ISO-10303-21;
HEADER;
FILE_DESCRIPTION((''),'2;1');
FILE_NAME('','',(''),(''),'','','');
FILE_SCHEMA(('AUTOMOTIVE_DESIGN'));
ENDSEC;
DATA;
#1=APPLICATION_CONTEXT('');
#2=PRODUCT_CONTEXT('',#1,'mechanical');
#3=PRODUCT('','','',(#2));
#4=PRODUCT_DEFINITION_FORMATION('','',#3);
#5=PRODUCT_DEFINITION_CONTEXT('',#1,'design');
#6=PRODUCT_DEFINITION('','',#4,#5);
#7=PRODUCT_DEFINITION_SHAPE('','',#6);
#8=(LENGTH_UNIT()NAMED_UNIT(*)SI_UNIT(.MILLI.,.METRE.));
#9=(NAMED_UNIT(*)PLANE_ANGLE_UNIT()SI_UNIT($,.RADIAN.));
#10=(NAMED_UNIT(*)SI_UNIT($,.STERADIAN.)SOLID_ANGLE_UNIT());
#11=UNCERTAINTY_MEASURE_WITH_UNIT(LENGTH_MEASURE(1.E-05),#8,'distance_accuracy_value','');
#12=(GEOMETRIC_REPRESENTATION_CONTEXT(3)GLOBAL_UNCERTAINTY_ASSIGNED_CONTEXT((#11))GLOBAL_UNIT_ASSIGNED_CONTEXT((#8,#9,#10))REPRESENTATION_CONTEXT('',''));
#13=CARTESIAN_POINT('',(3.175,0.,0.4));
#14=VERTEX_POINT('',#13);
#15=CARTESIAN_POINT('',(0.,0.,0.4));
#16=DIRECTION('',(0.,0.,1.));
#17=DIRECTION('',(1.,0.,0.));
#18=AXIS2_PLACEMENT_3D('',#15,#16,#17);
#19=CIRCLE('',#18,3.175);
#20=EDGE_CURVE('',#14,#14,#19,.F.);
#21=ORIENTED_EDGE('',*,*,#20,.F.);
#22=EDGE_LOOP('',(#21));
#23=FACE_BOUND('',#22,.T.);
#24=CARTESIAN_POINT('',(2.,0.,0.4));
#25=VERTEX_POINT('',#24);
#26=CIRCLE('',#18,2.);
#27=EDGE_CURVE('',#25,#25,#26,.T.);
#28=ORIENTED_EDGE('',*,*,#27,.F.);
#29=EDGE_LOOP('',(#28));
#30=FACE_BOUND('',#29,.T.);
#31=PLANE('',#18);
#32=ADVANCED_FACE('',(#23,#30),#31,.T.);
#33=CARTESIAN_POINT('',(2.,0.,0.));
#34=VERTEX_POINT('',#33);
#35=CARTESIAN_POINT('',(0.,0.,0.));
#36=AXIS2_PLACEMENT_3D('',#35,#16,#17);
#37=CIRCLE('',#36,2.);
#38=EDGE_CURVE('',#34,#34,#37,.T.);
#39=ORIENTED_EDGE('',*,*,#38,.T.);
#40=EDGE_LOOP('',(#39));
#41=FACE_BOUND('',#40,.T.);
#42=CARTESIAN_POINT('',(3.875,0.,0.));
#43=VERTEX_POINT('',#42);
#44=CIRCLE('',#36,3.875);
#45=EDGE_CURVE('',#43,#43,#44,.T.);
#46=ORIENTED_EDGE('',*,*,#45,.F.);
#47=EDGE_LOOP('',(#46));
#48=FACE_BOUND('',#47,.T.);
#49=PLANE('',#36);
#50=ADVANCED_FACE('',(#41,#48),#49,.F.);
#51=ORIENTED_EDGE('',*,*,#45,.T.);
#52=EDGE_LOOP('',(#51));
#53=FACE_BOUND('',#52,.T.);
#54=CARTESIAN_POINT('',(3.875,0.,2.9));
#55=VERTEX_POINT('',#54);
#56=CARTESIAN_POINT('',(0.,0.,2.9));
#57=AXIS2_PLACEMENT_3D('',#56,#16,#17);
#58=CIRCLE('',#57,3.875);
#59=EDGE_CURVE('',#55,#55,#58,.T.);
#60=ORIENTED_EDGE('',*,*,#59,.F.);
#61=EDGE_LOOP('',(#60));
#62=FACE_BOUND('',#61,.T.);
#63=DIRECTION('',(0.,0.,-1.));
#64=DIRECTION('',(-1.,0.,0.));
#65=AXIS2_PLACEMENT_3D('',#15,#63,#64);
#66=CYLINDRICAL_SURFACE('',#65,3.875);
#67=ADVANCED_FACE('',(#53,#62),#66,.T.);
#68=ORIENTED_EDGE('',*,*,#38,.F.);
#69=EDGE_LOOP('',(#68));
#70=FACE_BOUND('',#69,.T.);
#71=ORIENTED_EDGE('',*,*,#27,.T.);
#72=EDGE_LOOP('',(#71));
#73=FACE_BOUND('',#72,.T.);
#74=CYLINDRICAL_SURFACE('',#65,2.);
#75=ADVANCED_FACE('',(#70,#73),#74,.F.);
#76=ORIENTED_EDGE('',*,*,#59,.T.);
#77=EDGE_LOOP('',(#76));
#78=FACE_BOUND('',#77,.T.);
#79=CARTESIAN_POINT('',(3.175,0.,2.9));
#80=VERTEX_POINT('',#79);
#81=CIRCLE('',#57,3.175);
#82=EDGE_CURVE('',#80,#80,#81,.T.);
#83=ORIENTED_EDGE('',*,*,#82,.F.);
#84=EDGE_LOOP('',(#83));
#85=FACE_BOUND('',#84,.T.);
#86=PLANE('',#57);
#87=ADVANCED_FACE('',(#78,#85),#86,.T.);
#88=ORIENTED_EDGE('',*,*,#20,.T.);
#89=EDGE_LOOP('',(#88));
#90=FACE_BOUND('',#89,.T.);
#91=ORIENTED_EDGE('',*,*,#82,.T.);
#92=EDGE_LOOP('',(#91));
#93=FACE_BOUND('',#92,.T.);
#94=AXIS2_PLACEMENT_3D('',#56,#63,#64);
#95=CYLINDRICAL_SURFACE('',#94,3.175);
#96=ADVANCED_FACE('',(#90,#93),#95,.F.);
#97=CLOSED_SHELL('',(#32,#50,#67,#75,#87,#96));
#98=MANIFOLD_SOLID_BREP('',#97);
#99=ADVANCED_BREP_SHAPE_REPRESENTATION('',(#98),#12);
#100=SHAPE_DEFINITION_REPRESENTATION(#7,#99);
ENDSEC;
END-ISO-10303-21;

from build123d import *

# Parameters (mm, degrees)
SKETCH1_R           = 3.875
SKETCH1_R_2         = 2
BOSS_EXTRUDE1_DEPTH = 0.4
SKETCH2_R           = 3.875
SKETCH2_R_2         = 3.175
BOSS_EXTRUDE2_DEPTH = 2.5


with BuildPart() as part:
    # Sketch1 → Boss-Extrude1 (new body)
    with BuildSketch(Plane(origin=(0, 0, 0), x_dir=(0, 1, 0), z_dir=(0, 0, 1))):
        Circle(SKETCH1_R)
        Circle(SKETCH1_R_2, mode=Mode.SUBTRACT)
    extrude(amount=BOSS_EXTRUDE1_DEPTH)

    # Sketch2 → Boss-Extrude2 (add)
    with BuildSketch(Plane.XY.offset(0.4)):
        Circle(SKETCH2_R)
        Circle(SKETCH2_R_2, mode=Mode.SUBTRACT)
    extrude(amount=BOSS_EXTRUDE2_DEPTH)


solid = part.part
